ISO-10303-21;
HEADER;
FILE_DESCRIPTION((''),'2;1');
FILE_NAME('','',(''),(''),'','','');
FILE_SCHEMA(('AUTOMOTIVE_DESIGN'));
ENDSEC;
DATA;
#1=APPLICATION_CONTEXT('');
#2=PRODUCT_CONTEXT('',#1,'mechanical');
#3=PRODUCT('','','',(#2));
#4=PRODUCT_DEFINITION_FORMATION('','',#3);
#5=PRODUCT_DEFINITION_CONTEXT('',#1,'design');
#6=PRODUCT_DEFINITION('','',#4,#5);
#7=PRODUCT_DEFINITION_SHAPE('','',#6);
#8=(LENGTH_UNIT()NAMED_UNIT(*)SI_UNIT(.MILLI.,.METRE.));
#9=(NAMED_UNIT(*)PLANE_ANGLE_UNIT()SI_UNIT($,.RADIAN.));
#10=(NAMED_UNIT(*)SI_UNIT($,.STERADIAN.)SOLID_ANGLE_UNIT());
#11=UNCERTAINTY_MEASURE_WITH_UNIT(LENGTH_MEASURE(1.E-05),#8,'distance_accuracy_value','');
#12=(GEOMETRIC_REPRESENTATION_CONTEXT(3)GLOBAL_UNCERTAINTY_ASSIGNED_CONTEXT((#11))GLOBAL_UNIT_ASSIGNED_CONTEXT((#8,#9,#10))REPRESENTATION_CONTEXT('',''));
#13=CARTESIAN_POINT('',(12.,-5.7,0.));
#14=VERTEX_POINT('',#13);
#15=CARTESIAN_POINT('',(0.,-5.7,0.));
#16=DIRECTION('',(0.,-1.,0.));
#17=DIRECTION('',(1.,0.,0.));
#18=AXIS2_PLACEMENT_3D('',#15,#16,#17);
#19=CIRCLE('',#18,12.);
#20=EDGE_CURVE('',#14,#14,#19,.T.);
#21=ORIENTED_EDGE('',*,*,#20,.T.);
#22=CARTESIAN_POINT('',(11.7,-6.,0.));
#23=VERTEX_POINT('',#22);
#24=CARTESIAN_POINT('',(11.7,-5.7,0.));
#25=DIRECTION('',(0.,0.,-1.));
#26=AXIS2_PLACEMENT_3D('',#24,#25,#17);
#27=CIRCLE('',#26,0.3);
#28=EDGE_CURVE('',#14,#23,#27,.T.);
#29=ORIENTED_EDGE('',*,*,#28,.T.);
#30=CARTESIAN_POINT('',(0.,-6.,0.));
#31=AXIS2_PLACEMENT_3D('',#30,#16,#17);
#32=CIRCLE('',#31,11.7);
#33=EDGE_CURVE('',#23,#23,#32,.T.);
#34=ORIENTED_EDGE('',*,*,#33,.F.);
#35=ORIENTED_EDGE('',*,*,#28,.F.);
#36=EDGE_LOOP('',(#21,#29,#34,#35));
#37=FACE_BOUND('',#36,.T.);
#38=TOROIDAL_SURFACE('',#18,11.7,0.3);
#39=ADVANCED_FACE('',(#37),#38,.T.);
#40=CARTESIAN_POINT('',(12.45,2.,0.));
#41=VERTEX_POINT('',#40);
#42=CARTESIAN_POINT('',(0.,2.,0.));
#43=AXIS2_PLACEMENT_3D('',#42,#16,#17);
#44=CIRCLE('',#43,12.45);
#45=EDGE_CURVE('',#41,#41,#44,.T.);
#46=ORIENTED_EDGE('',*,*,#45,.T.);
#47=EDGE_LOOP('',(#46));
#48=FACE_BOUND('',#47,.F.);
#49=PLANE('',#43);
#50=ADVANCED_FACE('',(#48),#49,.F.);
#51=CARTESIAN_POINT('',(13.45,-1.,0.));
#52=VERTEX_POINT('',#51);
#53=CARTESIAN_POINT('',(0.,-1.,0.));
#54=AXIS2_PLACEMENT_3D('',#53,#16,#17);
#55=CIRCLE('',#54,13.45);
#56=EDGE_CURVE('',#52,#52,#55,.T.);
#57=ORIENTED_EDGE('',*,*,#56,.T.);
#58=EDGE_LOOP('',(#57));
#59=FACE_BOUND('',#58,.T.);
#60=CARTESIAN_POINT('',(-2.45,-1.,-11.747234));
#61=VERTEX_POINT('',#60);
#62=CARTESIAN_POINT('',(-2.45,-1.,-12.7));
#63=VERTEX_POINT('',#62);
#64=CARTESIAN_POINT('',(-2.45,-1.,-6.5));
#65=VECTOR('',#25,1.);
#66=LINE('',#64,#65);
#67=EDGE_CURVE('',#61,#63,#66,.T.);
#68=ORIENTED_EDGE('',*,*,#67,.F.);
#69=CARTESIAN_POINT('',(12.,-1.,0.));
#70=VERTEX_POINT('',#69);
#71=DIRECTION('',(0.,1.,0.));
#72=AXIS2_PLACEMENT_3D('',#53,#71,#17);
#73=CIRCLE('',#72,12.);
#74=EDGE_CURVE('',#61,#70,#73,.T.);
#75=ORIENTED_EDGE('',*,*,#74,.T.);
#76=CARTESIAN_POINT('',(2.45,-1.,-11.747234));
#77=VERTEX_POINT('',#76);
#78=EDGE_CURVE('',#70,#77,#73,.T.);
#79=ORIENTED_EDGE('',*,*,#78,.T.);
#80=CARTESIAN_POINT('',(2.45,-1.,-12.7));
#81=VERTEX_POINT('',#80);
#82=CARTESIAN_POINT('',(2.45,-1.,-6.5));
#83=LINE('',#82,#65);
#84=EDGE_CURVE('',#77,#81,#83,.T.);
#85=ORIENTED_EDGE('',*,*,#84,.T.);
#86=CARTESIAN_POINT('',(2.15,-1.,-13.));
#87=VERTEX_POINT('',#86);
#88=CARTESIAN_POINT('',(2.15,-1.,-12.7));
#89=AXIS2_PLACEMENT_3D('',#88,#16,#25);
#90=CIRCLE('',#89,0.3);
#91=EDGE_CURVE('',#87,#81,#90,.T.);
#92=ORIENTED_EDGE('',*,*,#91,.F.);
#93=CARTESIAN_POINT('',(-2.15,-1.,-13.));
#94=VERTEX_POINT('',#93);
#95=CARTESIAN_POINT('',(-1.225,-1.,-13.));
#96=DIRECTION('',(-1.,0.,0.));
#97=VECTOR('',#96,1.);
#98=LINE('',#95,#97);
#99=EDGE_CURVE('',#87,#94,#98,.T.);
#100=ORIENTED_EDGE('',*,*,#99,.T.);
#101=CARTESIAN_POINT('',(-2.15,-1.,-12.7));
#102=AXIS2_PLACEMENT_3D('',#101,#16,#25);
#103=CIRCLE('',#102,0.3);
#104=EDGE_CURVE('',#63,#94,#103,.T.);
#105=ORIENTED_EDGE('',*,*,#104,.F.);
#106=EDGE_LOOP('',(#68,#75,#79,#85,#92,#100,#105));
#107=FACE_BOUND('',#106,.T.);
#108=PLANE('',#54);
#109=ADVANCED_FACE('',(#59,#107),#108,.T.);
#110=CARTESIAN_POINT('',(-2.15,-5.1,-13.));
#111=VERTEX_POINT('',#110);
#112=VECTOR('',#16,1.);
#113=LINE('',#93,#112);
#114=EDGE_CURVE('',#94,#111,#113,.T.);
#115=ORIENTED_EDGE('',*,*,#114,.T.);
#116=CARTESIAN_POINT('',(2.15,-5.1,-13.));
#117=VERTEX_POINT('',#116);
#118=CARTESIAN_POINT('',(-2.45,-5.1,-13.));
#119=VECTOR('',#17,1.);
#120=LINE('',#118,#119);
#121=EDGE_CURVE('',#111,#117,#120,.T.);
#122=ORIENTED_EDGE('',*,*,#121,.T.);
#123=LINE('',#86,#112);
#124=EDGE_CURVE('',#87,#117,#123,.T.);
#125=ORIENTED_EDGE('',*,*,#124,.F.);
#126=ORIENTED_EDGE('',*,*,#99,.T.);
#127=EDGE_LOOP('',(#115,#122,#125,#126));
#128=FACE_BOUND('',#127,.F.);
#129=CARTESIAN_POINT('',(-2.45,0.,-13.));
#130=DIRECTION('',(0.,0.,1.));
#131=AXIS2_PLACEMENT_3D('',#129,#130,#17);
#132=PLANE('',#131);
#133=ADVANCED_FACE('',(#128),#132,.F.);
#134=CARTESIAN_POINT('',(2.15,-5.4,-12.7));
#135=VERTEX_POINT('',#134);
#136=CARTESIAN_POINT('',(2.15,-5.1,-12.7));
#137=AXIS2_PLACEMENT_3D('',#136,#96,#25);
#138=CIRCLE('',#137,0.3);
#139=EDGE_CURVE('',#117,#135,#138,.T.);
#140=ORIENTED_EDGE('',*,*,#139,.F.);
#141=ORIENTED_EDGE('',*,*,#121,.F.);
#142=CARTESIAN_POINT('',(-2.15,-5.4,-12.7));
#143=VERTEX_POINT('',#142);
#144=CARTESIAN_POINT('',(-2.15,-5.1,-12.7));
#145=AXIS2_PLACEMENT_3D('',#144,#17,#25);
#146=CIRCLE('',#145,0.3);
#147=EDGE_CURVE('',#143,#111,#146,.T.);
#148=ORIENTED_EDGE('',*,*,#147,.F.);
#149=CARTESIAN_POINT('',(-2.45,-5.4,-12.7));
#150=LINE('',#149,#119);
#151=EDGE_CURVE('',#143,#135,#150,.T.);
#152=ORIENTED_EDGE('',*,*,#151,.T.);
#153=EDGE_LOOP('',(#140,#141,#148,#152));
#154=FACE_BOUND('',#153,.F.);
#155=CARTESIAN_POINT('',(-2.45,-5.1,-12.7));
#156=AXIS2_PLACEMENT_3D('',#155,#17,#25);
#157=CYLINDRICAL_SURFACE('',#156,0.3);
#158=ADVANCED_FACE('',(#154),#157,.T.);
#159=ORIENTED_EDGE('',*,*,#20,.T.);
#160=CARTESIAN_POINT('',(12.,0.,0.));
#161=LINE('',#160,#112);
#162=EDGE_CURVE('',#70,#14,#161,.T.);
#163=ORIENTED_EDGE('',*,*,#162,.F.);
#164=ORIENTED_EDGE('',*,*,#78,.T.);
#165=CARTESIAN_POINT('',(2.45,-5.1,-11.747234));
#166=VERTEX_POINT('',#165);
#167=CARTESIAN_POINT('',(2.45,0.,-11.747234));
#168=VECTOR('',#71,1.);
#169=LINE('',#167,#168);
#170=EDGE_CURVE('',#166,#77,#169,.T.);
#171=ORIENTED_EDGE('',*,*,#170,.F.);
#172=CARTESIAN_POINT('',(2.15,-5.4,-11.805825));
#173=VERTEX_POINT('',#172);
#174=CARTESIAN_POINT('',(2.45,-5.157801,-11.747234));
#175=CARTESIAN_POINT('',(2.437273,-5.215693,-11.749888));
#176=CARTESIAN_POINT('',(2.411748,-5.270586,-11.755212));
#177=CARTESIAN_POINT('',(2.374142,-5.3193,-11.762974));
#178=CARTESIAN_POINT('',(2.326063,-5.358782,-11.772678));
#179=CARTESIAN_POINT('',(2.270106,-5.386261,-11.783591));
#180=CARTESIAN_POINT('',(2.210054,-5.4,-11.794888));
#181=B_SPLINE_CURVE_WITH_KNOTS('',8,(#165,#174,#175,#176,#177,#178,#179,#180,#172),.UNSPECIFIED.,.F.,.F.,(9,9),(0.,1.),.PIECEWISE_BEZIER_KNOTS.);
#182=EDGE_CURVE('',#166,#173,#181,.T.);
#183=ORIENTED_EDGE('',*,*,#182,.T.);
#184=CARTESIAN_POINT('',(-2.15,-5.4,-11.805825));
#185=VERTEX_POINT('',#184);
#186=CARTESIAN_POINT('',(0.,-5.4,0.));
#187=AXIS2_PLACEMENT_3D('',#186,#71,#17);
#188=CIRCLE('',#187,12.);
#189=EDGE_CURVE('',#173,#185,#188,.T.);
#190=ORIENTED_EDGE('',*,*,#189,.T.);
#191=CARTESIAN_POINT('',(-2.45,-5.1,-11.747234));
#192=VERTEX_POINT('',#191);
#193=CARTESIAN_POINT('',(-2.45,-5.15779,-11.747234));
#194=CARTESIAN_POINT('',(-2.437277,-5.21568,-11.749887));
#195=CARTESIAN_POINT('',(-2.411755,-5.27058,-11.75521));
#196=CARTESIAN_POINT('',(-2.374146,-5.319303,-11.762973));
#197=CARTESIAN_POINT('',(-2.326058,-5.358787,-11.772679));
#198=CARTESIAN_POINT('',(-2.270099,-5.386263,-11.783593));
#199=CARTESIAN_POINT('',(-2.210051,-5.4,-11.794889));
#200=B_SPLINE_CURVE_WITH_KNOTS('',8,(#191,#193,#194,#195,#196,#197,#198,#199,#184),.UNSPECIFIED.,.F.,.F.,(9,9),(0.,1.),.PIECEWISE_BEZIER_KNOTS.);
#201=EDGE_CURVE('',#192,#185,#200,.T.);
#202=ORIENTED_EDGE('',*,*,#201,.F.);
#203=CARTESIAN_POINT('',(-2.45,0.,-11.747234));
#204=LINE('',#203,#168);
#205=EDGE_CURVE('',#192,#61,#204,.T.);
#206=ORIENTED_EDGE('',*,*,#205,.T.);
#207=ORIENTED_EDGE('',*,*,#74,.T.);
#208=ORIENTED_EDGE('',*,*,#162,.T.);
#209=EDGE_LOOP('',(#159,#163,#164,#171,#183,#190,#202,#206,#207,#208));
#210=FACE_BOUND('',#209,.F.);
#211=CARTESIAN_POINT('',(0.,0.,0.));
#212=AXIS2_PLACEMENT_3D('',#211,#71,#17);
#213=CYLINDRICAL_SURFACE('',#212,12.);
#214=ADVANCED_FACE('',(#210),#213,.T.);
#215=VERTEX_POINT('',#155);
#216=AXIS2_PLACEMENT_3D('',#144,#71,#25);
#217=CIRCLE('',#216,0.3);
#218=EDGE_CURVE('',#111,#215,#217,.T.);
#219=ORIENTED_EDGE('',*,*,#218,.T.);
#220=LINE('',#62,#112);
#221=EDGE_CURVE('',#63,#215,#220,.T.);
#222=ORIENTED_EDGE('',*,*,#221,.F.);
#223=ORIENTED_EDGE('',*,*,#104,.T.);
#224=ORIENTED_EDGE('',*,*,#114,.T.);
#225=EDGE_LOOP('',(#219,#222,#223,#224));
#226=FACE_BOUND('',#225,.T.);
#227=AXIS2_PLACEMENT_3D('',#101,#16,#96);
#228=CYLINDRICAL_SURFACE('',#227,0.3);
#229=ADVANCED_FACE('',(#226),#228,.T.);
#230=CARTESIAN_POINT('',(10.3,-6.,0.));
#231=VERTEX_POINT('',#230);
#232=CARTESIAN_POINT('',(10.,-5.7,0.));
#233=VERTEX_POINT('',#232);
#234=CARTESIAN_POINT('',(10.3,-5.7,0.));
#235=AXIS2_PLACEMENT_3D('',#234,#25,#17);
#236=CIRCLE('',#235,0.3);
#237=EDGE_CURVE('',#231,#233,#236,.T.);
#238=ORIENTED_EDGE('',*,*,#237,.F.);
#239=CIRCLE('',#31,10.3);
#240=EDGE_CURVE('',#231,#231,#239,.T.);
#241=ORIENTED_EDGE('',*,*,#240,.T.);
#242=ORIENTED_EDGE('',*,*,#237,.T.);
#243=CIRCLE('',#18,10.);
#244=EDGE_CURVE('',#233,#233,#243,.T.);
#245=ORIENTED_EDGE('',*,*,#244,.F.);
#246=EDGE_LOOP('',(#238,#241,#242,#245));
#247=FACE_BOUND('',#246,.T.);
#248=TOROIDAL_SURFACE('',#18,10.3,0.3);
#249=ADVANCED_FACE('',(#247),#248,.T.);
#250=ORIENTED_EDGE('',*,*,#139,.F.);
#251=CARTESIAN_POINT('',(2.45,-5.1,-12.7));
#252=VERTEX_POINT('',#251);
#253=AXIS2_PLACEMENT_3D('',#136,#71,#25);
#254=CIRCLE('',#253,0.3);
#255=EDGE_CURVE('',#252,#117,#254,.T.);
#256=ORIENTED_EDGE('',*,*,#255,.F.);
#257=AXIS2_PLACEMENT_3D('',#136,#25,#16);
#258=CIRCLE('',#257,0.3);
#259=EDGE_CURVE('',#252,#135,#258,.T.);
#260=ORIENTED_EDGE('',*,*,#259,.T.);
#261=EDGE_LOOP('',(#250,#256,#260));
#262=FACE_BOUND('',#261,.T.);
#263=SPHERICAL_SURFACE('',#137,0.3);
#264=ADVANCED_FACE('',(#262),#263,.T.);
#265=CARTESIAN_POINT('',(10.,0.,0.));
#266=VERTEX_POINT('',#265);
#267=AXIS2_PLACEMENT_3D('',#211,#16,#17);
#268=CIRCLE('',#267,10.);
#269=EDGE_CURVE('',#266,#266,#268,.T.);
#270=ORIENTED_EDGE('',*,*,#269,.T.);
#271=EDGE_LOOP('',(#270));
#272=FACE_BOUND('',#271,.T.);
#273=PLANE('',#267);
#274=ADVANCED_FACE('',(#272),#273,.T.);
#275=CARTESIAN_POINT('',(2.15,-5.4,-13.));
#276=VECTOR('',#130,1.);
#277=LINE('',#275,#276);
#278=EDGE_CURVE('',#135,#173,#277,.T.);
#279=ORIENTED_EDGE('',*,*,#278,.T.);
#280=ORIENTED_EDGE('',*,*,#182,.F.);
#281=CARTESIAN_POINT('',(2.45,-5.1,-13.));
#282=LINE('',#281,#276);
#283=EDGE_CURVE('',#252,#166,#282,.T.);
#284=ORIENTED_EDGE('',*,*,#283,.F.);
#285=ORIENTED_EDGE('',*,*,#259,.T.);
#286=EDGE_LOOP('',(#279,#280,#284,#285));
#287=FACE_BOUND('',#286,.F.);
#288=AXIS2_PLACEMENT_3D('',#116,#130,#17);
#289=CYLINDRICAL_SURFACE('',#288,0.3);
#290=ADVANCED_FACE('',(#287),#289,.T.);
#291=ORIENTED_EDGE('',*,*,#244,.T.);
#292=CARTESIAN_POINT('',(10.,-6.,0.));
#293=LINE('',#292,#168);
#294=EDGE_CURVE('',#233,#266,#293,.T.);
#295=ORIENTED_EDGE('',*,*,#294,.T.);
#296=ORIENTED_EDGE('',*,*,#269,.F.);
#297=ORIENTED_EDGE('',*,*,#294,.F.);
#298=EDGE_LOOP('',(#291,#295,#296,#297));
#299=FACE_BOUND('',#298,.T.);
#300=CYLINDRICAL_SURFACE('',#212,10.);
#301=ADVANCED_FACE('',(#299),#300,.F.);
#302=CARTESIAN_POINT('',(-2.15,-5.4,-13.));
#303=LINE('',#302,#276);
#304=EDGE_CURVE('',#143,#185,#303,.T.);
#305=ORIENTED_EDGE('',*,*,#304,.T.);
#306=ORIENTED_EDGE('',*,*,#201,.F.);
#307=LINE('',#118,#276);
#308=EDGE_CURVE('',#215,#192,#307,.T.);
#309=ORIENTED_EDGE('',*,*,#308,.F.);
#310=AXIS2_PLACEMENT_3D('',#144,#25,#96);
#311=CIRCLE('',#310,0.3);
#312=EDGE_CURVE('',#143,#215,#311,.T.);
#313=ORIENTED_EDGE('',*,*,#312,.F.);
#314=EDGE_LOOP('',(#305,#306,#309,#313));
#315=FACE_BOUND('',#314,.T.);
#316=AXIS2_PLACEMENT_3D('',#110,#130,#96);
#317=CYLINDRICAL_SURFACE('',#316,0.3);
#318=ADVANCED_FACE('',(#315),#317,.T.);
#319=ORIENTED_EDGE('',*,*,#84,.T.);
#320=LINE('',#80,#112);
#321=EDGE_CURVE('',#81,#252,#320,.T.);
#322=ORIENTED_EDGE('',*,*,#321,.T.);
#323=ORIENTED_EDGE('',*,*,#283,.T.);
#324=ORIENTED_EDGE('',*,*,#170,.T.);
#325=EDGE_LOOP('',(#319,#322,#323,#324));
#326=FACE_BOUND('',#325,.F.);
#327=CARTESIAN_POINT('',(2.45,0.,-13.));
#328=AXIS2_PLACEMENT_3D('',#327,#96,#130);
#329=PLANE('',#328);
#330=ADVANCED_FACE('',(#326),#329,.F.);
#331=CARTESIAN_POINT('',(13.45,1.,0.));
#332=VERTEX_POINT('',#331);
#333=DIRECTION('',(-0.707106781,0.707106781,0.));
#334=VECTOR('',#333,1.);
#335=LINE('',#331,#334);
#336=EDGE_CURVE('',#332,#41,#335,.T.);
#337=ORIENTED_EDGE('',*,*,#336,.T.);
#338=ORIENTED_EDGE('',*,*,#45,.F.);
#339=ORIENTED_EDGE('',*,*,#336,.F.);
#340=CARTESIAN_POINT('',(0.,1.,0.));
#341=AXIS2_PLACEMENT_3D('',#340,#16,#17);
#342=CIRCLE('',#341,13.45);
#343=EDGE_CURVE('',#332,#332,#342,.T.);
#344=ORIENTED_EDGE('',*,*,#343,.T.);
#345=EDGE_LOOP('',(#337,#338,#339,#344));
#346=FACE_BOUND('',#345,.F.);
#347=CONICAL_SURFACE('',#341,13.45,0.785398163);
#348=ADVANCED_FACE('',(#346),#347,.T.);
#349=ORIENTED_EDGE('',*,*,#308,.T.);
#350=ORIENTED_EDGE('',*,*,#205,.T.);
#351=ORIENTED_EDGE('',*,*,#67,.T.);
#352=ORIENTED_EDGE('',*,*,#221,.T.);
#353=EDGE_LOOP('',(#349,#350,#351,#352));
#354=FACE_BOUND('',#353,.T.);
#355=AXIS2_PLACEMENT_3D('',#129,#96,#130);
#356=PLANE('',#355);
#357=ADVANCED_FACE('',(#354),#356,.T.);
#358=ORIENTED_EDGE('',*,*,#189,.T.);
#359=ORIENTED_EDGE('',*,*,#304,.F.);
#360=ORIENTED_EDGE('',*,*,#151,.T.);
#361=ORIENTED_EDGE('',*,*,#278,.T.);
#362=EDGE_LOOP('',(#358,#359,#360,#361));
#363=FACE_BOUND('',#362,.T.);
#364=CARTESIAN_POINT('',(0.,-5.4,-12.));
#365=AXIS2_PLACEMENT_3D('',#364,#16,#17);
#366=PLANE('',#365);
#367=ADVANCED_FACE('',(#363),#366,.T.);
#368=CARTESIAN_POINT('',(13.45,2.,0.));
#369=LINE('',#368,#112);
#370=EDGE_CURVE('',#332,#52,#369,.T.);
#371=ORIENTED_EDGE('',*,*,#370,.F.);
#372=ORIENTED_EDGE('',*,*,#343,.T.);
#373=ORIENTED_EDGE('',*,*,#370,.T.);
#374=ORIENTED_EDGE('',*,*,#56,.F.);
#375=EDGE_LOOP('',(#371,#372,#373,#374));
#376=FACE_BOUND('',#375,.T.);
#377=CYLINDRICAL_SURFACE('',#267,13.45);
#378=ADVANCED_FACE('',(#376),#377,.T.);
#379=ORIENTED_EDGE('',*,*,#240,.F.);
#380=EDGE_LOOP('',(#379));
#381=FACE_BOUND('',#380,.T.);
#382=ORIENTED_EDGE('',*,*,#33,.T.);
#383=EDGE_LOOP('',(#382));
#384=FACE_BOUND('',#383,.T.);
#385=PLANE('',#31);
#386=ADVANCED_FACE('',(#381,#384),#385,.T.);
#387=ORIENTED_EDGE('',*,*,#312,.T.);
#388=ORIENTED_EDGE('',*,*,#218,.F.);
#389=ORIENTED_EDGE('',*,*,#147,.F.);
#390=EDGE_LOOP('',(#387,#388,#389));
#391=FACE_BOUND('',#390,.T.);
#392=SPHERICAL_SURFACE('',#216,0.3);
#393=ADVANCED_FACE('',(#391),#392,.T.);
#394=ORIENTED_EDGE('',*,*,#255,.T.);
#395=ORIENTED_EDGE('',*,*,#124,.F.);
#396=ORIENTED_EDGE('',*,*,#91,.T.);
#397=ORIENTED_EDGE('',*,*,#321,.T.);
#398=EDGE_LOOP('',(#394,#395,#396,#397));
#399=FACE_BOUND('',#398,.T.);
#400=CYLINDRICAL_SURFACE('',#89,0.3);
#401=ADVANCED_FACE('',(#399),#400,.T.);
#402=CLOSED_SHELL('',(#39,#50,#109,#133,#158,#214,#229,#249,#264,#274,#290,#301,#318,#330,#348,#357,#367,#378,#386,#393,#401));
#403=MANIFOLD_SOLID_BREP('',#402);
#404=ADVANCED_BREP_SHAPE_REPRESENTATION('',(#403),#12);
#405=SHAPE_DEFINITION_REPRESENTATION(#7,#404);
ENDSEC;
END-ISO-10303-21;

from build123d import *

# Parameters (mm, degrees)
F0_R          = 12
F0_R_2        = 10
F1_DEPTH      = 6
F2_R          = 13.45
F3_DEPTH      = 1
F3_DEPTH_BACK = 2
F4_R          = 10
F5_DEPTH      = 6
F6_W          = 4.9
F6_H          = 2
F7_DEPTH      = 5.4
F8_SIZE       = 1
F9_R          = 0.3
F10_R         = 0.3


with BuildPart() as f1:
    # F0 (on Front) → F1 (new body)
    with BuildSketch(Plane.XZ):
        Circle(F0_R)
        Circle(F0_R_2, mode=Mode.SUBTRACT)
    extrude(amount=F1_DEPTH)

    # F2 (on Front) → F3 (join, two sides)
    with BuildSketch(Plane.XZ) as f3_sk:
        Circle(F2_R)
    extrude(amount=F3_DEPTH)
    extrude(f3_sk.sketch, amount=-F3_DEPTH_BACK)

    # F4 (on Front) → F5 (cut, through all)
    with BuildSketch(Plane.XZ):
        Circle(F4_R)
    extrude(amount=F5_DEPTH, mode=Mode.SUBTRACT)

    # F6 (on Front) → F7 (join)
    with BuildSketch(Plane.XZ):
        with Locations((0, -12)):
            Rectangle(F6_W, F6_H)
    extrude(amount=F7_DEPTH)

    # F8
    f8_edges = [f1.edges().sort_by_distance(p)[0] for p in [
        (-13.45, 2, 0),
    ]]
    chamfer(f8_edges, length=F8_SIZE)

    # F9
    f9_edges = [f1.edges().sort_by_distance(p)[0] for p in [
        (-2.45, -3.2, -13),
        (0, -5.4, -13),
        (2.45, -3.2, -13),
        (-2.45, -5.4, -12.373617),
        (2.45, -5.4, -12.373617),
    ]]
    fillet(f9_edges, radius=F9_R)

    # F10
    f10_edges = [f1.edges().sort_by_distance(p)[0] for p in [
        (-12, -6, 0),
        (-10, -6, 0),
    ]]
    fillet(f10_edges, radius=F10_R)


solid = f1.part
